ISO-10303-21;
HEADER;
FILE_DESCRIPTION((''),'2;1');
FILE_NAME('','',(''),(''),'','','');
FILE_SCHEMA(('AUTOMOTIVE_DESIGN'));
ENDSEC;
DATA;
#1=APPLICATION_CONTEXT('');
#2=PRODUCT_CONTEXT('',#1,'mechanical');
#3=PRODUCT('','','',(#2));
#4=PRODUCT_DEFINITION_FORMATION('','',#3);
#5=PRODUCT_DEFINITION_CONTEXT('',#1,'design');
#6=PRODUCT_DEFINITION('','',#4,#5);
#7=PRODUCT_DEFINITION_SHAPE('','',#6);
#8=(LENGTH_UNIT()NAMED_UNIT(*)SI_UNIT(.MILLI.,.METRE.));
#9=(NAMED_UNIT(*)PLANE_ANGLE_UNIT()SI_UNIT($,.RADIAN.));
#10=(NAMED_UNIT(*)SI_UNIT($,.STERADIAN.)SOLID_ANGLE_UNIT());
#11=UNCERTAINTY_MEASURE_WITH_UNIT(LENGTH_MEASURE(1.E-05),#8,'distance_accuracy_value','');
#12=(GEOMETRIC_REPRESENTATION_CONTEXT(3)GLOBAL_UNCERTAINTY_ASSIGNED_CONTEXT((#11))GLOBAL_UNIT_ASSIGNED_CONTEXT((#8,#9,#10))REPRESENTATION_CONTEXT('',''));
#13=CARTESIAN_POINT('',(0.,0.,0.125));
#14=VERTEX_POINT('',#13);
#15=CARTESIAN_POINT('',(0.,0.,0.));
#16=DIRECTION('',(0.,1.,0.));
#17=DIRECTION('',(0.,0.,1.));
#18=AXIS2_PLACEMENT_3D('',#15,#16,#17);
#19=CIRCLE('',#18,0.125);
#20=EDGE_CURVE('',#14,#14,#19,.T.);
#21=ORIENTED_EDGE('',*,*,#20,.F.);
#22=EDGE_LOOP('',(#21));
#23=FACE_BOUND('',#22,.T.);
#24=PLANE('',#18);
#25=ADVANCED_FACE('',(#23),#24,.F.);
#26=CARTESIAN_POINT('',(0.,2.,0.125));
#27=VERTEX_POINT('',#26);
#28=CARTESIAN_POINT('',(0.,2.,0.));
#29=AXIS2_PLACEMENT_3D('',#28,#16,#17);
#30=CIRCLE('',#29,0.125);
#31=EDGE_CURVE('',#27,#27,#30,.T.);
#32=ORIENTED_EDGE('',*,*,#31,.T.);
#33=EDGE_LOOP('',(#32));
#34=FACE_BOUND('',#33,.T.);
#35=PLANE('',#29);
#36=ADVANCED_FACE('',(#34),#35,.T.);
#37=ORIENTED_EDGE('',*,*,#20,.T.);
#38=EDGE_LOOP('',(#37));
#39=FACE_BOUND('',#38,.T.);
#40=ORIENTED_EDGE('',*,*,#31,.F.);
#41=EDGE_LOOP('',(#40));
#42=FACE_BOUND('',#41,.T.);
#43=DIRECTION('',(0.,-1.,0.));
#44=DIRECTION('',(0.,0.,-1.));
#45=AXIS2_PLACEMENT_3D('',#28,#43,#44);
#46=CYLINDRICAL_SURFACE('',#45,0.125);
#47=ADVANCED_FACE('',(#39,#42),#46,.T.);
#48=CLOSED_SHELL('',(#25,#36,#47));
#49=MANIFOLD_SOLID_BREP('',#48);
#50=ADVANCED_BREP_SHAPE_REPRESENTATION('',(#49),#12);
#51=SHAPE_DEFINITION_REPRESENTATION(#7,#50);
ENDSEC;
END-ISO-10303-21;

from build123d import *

# Parameters (mm, degrees)
SZKIC1_R                    = 0.125
DODANIE_WYCI_GNI_CIE1_DEPTH = 2


with BuildPart() as part:
    # Szkic1 → Dodanie-wyciągnięcie1 (new body)
    with BuildSketch(Plane(origin=(0, 0, 0), x_dir=(1, 0, 0), z_dir=(0, 1, 0))):
        with Locations(Location((0, 0, 0), (0, 0, 270))):
            Circle(SZKIC1_R)
    extrude(amount=DODANIE_WYCI_GNI_CIE1_DEPTH)


solid = part.part
